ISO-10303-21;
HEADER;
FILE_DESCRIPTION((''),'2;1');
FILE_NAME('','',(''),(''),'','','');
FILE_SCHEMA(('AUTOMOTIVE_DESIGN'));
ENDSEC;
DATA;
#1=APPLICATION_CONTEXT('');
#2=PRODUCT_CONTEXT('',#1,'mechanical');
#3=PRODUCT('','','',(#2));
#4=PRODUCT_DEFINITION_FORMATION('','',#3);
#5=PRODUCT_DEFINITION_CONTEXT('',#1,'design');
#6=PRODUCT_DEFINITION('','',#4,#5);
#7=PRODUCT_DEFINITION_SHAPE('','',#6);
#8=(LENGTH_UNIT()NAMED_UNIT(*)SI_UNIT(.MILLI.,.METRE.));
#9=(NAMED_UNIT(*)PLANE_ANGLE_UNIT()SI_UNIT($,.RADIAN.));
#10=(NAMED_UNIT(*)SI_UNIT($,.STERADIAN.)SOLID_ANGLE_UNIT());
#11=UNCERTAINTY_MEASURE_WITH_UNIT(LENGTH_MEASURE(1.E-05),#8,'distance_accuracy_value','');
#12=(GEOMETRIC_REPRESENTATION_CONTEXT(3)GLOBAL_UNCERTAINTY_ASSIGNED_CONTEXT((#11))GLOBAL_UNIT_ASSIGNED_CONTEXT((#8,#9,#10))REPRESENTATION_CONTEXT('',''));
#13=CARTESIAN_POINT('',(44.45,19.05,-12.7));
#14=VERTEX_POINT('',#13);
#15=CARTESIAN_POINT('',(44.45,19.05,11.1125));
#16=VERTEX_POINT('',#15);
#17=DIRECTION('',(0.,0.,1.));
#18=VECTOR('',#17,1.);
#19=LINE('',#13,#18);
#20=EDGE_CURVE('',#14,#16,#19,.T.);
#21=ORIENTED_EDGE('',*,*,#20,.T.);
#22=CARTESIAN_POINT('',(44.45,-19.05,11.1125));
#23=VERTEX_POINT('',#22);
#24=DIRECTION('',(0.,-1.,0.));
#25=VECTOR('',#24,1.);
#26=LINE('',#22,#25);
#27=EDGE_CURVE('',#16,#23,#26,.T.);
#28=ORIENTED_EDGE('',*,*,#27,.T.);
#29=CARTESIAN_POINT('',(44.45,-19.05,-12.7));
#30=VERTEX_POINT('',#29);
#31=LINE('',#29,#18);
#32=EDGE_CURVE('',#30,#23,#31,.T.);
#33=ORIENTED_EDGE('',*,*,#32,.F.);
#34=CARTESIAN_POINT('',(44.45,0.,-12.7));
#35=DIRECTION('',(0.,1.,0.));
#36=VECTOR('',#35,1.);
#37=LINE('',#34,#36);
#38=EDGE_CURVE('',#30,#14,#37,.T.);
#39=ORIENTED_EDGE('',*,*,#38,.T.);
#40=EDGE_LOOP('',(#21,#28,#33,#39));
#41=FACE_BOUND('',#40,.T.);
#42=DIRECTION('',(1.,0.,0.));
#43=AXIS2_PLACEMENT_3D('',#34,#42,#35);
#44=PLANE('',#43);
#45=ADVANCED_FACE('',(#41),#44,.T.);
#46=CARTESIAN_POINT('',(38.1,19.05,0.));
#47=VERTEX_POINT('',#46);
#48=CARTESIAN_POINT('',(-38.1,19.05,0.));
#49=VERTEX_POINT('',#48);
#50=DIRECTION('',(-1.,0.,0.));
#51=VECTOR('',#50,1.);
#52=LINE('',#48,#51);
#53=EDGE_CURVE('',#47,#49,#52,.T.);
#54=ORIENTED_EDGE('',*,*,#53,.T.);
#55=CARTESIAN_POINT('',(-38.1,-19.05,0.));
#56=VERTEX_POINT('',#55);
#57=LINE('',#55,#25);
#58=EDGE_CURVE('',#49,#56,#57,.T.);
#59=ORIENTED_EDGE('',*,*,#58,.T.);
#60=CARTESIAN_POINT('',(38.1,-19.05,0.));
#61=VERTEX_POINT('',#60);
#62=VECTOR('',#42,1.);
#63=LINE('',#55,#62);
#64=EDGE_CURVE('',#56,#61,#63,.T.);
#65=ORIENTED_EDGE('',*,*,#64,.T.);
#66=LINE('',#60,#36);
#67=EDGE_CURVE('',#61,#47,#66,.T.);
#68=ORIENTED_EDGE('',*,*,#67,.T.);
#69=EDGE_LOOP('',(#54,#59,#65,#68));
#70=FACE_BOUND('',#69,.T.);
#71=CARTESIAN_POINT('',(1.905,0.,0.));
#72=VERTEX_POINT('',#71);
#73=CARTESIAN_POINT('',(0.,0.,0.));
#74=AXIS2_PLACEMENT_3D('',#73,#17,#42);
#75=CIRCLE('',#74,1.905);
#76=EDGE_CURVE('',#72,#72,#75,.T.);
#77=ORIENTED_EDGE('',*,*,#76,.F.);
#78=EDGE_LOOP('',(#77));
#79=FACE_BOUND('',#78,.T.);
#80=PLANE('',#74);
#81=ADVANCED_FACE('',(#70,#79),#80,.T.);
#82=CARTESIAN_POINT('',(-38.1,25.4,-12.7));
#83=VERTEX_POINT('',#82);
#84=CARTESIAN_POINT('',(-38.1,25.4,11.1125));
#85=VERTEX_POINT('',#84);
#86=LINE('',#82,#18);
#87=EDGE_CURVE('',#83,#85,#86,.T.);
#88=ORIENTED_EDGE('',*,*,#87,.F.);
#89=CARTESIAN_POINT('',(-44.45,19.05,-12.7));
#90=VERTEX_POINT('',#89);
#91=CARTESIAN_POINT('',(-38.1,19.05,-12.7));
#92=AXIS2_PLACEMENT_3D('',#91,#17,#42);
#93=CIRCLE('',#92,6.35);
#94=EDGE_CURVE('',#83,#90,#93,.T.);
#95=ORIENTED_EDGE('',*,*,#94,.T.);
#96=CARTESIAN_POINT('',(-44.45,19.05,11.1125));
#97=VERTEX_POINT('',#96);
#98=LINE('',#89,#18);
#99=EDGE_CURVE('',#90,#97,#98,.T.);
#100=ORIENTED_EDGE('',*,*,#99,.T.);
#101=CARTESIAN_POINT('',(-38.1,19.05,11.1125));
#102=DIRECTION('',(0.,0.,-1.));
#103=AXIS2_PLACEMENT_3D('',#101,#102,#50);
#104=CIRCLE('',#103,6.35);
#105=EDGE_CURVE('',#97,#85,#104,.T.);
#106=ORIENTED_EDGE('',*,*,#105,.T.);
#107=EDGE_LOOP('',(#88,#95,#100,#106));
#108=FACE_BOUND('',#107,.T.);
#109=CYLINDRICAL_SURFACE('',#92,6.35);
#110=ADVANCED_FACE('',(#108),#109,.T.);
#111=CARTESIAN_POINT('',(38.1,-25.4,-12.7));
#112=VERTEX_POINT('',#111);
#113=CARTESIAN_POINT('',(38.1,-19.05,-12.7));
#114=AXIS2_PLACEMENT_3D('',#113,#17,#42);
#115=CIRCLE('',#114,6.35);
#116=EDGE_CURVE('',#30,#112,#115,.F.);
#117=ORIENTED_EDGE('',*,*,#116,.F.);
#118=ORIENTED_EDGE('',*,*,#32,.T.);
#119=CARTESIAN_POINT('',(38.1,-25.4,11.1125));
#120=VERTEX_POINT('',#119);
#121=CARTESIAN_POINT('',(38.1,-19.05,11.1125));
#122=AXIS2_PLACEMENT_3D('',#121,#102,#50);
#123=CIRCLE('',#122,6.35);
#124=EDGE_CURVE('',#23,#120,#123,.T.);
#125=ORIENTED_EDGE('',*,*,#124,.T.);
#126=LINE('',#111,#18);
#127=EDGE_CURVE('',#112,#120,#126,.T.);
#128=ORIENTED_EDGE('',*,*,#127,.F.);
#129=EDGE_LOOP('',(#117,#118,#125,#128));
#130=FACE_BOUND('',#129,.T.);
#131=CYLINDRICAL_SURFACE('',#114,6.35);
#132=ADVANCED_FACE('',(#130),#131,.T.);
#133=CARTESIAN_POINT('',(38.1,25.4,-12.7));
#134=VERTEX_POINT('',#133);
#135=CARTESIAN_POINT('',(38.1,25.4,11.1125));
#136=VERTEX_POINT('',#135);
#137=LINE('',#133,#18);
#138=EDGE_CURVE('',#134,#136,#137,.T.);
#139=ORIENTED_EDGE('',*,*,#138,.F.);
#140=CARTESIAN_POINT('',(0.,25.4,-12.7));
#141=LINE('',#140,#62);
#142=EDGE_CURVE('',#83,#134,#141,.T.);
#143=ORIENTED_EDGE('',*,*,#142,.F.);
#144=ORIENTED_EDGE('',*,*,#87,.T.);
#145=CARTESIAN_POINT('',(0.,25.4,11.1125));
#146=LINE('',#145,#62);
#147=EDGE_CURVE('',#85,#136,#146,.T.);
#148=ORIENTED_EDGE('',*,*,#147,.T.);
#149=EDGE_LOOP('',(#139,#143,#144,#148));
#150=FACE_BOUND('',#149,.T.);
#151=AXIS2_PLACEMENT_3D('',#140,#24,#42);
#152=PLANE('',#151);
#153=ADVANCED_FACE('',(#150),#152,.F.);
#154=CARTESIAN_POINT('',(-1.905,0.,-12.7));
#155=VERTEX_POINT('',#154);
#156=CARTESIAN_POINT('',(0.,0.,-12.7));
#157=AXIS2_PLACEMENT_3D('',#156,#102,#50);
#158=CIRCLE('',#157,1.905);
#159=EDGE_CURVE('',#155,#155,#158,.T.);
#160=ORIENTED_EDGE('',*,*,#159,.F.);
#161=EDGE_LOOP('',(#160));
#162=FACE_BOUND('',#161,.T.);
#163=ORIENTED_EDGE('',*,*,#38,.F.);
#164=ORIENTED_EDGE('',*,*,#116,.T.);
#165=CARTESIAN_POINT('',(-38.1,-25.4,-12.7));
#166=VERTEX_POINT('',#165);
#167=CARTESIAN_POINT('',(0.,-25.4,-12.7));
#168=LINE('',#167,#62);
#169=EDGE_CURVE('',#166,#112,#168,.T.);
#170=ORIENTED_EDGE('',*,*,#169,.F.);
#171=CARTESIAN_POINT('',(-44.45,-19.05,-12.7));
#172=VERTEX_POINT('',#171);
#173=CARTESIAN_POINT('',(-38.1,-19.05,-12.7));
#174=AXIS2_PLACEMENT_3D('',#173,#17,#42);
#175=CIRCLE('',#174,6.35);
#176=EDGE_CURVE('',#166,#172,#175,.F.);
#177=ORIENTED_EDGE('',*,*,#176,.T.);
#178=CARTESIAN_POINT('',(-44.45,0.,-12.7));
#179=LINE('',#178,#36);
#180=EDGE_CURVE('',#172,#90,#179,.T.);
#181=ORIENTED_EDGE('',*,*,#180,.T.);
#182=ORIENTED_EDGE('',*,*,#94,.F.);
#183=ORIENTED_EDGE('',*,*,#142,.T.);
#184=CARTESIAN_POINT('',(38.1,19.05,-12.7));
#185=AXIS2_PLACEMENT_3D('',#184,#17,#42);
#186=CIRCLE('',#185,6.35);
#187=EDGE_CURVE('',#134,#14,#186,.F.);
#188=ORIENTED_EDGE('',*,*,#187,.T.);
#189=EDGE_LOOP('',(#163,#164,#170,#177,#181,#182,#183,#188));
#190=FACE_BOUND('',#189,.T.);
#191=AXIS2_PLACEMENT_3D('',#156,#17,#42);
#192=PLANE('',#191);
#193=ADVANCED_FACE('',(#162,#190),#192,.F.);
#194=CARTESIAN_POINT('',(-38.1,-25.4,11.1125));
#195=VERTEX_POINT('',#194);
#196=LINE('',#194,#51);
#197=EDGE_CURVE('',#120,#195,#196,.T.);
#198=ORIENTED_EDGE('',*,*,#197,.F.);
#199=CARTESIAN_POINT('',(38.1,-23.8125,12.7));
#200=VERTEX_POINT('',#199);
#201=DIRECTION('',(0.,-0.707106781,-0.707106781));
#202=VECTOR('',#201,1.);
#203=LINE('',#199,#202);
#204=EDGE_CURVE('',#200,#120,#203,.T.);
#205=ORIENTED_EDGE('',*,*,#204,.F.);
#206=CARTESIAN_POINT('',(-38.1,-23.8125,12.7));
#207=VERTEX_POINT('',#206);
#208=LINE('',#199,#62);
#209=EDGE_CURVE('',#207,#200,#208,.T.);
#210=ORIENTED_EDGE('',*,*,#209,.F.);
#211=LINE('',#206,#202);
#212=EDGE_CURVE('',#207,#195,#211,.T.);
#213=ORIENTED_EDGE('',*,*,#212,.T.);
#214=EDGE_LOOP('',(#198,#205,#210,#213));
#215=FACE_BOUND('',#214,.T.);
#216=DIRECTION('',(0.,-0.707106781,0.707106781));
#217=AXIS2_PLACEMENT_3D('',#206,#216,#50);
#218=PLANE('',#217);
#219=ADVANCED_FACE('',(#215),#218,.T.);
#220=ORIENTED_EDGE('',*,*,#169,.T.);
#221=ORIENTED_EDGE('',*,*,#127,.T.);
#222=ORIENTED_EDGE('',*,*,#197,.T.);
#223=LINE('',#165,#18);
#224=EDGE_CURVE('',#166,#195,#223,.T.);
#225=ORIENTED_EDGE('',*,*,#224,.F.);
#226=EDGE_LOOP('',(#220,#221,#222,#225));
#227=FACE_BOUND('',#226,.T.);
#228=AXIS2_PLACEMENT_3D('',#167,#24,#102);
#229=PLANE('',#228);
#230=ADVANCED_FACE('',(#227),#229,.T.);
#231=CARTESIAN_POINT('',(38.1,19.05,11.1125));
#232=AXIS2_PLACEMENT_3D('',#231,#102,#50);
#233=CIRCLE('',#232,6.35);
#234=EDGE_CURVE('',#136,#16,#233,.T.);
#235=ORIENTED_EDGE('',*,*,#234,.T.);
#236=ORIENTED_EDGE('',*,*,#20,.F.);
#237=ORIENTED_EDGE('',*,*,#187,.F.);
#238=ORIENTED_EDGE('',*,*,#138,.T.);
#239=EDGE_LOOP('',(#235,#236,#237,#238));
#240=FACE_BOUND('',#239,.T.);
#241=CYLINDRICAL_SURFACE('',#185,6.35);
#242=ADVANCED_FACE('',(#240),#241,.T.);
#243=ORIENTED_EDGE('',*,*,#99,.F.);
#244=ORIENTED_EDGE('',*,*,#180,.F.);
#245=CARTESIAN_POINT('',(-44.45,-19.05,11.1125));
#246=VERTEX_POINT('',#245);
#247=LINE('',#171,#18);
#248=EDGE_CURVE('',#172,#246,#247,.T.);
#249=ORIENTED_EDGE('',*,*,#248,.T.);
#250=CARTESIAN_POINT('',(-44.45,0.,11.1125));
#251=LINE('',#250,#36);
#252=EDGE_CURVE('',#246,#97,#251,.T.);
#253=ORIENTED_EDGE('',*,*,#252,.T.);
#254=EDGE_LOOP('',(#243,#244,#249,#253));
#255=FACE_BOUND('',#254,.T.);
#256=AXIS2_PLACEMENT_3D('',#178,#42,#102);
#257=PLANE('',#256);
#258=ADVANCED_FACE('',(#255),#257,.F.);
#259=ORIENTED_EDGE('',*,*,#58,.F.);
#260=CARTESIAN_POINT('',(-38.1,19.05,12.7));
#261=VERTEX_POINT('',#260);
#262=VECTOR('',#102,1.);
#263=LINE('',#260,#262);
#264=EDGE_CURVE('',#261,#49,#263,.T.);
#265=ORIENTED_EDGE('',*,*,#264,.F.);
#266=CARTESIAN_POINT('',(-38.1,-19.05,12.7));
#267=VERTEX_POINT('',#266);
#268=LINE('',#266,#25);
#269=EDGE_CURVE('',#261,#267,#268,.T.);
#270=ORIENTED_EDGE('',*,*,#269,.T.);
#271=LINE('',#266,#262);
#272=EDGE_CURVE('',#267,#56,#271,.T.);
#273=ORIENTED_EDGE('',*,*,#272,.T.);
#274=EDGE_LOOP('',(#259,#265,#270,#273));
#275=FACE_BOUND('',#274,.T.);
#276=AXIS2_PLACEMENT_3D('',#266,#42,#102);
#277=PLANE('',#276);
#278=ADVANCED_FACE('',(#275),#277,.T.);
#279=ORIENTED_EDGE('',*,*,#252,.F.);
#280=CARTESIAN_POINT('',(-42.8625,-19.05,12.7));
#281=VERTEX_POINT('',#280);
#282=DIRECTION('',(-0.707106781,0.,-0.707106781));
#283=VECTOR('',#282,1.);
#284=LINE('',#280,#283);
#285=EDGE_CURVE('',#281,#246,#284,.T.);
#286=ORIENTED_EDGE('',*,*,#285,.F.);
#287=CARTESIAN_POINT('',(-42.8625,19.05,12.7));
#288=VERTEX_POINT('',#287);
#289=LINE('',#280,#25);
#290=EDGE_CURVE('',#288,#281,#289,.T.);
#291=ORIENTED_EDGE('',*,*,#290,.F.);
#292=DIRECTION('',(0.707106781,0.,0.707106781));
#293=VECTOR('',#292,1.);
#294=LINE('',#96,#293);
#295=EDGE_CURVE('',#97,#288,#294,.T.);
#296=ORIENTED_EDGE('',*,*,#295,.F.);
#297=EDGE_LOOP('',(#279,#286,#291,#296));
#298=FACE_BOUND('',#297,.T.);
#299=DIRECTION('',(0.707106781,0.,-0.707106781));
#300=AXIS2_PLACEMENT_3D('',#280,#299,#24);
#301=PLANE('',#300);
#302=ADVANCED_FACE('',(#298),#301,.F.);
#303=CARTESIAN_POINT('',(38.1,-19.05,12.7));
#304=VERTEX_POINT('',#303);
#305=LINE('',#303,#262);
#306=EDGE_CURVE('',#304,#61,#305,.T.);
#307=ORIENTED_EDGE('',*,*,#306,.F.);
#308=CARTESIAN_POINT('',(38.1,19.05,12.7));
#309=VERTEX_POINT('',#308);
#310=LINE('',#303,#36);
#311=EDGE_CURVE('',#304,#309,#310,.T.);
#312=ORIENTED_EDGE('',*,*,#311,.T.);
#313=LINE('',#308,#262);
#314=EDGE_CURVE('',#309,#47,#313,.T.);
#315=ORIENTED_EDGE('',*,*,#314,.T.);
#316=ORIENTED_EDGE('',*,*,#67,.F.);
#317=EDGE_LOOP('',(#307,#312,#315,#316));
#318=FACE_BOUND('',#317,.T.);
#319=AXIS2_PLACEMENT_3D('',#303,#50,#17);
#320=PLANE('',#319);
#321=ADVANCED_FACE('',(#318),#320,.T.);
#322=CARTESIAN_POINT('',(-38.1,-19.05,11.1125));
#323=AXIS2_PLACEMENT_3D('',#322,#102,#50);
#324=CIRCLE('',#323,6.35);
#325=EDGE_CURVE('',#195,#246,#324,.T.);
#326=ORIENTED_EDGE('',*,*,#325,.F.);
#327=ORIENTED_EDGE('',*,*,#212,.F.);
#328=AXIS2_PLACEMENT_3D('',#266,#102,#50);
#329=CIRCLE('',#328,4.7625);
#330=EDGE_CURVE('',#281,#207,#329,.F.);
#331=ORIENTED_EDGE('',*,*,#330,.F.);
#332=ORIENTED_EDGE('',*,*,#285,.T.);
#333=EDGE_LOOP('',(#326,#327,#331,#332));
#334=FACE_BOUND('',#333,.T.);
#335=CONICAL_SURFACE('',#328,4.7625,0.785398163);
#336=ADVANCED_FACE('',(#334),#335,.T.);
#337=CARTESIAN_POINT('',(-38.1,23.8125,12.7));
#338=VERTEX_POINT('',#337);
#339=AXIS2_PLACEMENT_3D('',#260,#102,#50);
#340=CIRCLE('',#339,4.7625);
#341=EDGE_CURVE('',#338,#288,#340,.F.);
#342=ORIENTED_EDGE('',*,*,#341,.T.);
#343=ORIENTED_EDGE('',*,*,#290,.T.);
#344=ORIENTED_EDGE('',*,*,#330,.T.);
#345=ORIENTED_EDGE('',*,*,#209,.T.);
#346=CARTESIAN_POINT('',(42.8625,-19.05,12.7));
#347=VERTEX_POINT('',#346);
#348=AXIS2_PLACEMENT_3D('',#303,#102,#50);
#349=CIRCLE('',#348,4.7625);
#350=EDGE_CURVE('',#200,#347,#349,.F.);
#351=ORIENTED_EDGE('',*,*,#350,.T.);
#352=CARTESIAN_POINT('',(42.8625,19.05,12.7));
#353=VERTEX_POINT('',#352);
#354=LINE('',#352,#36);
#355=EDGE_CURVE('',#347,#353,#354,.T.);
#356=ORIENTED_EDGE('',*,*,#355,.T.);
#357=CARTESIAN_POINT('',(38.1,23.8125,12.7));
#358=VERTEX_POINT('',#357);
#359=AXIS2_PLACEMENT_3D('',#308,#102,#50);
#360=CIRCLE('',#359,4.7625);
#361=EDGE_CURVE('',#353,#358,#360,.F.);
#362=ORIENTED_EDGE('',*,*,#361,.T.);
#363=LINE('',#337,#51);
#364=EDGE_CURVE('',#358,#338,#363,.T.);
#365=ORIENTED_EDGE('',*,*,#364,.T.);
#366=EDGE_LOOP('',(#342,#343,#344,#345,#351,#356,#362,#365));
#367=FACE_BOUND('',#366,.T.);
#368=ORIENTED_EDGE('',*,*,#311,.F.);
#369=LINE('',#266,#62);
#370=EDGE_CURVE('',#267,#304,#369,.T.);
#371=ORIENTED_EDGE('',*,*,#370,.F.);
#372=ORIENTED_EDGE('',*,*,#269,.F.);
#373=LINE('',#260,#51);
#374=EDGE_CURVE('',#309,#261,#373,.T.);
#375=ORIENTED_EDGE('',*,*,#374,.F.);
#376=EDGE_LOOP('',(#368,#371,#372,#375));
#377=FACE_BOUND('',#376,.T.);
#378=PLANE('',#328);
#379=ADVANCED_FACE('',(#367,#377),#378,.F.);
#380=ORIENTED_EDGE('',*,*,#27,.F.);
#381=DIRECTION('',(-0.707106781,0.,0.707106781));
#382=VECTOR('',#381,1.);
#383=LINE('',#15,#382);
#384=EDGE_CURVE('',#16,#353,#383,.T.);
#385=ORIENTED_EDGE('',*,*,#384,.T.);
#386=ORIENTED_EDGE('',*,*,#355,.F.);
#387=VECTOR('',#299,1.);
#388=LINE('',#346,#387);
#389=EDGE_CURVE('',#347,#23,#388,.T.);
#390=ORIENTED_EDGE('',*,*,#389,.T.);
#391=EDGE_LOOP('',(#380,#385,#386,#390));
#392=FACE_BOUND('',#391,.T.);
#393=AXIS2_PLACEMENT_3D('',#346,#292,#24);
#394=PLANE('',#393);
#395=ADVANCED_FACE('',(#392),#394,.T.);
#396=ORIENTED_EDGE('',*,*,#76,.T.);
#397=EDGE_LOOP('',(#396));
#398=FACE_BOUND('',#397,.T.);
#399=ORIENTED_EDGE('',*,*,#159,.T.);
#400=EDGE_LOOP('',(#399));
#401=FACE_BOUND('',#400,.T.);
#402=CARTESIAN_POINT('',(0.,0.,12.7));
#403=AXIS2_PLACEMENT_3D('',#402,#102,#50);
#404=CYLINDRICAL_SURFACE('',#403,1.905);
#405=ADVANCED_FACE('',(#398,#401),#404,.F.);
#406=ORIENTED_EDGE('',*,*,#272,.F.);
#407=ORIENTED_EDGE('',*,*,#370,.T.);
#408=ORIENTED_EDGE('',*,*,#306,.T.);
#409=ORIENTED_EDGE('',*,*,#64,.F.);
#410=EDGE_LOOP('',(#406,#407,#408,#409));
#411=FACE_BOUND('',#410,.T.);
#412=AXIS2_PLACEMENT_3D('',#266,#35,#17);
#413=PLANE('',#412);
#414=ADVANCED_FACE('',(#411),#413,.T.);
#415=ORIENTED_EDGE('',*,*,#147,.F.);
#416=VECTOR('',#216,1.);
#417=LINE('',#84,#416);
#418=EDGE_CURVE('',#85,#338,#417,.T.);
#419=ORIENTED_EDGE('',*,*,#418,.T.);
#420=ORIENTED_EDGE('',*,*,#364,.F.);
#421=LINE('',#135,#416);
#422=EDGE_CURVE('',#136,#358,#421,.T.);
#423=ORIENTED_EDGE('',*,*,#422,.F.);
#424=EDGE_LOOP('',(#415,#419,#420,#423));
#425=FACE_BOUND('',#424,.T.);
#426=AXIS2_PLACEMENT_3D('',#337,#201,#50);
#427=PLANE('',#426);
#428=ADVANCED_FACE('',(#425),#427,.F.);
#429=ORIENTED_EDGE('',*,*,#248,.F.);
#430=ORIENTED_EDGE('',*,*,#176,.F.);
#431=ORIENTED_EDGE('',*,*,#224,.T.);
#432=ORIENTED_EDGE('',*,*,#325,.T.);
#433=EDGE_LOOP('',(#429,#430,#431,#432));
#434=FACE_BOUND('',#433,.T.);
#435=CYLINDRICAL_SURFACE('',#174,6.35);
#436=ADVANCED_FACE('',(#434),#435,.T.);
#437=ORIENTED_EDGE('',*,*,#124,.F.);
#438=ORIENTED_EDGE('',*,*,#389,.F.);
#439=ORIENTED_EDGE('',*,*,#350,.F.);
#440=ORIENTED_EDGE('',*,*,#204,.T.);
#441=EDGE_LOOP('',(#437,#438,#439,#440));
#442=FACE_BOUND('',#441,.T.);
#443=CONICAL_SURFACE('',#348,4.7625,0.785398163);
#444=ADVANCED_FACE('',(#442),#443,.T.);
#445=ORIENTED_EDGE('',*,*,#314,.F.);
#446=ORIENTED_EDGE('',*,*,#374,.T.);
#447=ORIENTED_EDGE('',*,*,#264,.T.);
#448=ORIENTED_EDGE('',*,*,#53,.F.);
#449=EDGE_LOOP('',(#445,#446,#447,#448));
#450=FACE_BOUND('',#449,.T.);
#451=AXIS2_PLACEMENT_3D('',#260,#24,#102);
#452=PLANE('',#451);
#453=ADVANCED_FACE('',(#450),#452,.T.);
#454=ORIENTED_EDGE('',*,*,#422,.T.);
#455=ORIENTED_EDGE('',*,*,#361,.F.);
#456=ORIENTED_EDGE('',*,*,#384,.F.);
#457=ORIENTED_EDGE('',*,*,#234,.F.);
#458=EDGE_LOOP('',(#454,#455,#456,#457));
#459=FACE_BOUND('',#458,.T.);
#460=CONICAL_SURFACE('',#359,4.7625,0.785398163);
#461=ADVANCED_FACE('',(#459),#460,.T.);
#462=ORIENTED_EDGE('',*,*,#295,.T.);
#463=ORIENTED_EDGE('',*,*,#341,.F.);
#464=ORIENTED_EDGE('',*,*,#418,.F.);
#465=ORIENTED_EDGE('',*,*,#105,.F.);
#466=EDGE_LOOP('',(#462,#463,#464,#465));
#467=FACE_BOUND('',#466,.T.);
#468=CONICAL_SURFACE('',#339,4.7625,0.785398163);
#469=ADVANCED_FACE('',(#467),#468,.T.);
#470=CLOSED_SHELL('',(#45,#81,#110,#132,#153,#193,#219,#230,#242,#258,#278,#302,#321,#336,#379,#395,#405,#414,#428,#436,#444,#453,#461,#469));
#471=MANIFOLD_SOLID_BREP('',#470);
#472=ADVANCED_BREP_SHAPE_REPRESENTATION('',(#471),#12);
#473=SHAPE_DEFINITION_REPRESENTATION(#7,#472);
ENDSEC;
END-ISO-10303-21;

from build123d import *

# Parameters (mm, degrees)
BOSS_EXTRUDE1_DEPTH = 12.7
BOSS_EXTRUDE2_START = 12.7
SKETCH2_3_W         = 76.2
SKETCH2_3_H         = 38.1
BOSS_EXTRUDE2_DEPTH = 12.7
CHAMFER1_SIZE       = 1.5875
SKETCH3_R           = 1.905
CUT_EXTRUDE1_DEPTH  = 58.15


with BuildPart() as part:
    # Sketch2 → Boss-Extrude1 (new body)
    with BuildSketch(Plane.XY):
        with BuildLine():
            Line((38.1, 25.4), (-38.1, 25.4))
            ThreePointArc((-38.1, 25.4), (-42.590128061, 23.540128061), (-44.45, 19.05))
            Line((-44.45, 19.05), (-44.45, -19.05))
            ThreePointArc((-44.45, -19.05), (-42.590128061, -23.540128061), (-38.1, -25.4))
            Line((-38.1, -25.4), (38.1, -25.4))
            ThreePointArc((38.1, -25.4), (42.590128061, -23.540128061), (44.45, -19.05))
            Line((44.45, -19.05), (44.45, 19.05))
            ThreePointArc((44.45, 19.05), (42.590128061, 23.540128061), (38.1, 25.4))
        make_face()
    extrude(amount=-BOSS_EXTRUDE1_DEPTH)

    # Sketch2<3> → Boss-Extrude2 (add)
    with BuildSketch(Plane.XY.offset(BOSS_EXTRUDE2_START)):
        with BuildLine():
            Line((-38.1, 25.4), (38.1, 25.4))
            ThreePointArc((38.1, 25.4), (42.590128061, 23.540128061), (44.45, 19.05))
            Line((44.45, 19.05), (44.45, -19.05))
            ThreePointArc((44.45, -19.05), (42.590128061, -23.540128061), (38.1, -25.4))
            Line((38.1, -25.4), (-38.1, -25.4))
            ThreePointArc((-38.1, -25.4), (-42.590128061, -23.540128061), (-44.45, -19.05))
            Line((-44.45, -19.05), (-44.45, 19.05))
            ThreePointArc((-44.45, 19.05), (-42.590128061, 23.540128061), (-38.1, 25.4))
        make_face()
        Rectangle(SKETCH2_3_W, SKETCH2_3_H, mode=Mode.SUBTRACT)
    extrude(amount=-BOSS_EXTRUDE2_DEPTH)

    # Chamfer1
    chamfer1_edges = [part.edges().sort_by_distance(p)[0] for p in [
        (44.45, 0, 12.7),
        (42.590128061, 23.540128061, 12.7),
        (42.590128061, -23.540128061, 12.7),
        (0, 25.4, 12.7),
        (0, -25.4, 12.7),
        (-42.590128061, 23.540128061, 12.7),
        (-42.590128061, -23.540128061, 12.7),
        (-44.45, 0, 12.7),
    ]]
    chamfer(chamfer1_edges, length=CHAMFER1_SIZE)

    # Sketch3 → Cut-Extrude1 (cut, through all)
    with BuildSketch(Plane(origin=(0, 0, -12.7), x_dir=(-1, 0, 0), z_dir=(0, 0, -1))):
        Circle(SKETCH3_R)
    extrude(amount=-CUT_EXTRUDE1_DEPTH, mode=Mode.SUBTRACT)


solid = part.part
